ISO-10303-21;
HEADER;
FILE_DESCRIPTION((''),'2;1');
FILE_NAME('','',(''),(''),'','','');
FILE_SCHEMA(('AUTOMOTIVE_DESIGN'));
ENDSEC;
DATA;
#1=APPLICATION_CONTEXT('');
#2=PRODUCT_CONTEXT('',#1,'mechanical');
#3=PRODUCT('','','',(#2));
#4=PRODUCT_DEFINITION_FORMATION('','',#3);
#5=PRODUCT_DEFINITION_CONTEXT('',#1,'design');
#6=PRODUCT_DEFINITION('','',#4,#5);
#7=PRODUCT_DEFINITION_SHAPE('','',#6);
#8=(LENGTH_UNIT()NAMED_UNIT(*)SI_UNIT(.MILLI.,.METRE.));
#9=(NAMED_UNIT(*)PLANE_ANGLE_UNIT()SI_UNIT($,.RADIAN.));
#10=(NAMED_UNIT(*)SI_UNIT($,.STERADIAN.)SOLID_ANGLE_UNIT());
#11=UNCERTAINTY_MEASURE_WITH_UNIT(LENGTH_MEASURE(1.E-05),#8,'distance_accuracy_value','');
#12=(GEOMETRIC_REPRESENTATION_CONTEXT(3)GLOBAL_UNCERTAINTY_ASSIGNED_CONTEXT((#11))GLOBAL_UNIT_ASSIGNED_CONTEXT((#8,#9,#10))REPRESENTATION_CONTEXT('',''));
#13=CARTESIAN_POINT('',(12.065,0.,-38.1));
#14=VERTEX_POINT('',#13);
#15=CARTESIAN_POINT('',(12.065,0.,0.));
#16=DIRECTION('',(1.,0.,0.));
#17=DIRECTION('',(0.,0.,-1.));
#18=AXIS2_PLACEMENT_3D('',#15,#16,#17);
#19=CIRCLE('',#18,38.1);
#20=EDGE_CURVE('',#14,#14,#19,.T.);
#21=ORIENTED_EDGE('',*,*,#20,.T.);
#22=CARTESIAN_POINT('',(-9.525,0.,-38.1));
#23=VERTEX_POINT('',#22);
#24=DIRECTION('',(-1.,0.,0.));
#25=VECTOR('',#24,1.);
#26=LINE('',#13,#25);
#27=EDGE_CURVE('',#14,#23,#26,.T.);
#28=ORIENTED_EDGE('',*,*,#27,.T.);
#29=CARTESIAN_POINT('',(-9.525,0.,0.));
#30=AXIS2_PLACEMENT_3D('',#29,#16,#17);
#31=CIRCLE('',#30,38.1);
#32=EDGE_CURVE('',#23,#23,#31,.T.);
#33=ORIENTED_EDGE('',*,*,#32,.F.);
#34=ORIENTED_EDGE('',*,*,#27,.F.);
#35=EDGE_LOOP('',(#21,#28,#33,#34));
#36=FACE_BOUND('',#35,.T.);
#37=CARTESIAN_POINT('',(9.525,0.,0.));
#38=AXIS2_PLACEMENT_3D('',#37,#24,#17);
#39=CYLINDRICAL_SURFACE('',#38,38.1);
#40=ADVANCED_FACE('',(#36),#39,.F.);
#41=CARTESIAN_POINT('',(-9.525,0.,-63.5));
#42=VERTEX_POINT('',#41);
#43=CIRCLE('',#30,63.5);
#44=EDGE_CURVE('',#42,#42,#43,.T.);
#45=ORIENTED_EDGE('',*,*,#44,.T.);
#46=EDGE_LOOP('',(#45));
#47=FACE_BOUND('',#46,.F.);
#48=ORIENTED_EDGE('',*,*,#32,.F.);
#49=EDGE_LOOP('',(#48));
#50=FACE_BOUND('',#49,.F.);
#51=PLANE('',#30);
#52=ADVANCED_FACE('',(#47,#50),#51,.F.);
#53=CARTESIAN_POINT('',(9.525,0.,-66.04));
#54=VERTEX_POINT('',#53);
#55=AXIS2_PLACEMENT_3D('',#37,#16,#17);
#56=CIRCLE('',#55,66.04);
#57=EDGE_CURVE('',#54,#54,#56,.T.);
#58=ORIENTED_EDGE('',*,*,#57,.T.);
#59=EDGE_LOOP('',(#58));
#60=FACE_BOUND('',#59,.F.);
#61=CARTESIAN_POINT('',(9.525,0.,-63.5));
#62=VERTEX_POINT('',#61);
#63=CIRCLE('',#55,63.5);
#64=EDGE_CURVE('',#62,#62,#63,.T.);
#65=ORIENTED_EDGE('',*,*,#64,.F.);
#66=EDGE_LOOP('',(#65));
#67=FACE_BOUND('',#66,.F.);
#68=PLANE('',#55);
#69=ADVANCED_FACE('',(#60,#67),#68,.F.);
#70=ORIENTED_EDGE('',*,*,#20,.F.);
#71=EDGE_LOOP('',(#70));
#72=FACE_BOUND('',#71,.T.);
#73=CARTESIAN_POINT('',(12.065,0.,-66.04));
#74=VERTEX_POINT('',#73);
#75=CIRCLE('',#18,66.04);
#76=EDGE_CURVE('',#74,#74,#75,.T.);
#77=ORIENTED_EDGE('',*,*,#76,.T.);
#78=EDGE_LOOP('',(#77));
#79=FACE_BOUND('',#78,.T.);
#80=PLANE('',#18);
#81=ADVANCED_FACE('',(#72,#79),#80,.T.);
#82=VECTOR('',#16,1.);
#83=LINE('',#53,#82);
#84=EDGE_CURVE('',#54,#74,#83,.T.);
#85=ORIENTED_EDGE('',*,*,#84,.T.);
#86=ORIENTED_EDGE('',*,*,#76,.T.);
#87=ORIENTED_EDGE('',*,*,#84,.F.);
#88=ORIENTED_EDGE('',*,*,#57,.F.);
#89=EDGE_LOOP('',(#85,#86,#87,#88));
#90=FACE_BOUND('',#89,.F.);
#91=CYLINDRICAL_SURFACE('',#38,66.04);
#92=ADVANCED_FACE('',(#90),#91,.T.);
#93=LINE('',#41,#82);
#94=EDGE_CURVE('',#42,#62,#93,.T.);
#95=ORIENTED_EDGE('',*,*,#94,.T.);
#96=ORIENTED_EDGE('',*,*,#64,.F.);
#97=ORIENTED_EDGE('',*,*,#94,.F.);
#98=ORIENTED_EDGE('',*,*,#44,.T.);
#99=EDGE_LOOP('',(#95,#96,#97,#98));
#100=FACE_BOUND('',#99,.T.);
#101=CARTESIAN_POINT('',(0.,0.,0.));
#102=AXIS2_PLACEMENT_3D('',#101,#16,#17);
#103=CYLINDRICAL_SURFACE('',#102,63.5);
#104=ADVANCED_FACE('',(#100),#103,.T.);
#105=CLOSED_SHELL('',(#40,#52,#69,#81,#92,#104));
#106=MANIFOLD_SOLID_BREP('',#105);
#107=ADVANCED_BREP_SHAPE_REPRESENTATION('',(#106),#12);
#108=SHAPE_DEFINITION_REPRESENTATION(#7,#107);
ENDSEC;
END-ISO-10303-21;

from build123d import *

# Parameters (mm, degrees)
ESQUISSE1_R        = 63.5
ESQUISSE1_R_2      = 38.1
BOSS_EXTRU_1_DEPTH = 9.525
ESQUISSE2_R        = 66.04
ESQUISSE2_R_2      = 38.1
BOSS_EXTRU_2_DEPTH = 2.54


with BuildPart() as part:
    # Esquisse1 → Boss.-Extru.1 (new body, symmetric)
    with BuildSketch(Plane(origin=(0, 0, 0), x_dir=(0, 0, -1), z_dir=(1, 0, 0))):
        Circle(ESQUISSE1_R)
        Circle(ESQUISSE1_R_2, mode=Mode.SUBTRACT)
    extrude(amount=BOSS_EXTRU_1_DEPTH, both=True)

    # Esquisse2 → Boss.-Extru.2 (add)
    with BuildSketch(Plane(origin=(9.525, 0, 0), x_dir=(0, 0, -1), z_dir=(1, 0, 0))):
        Circle(ESQUISSE2_R)
        Circle(ESQUISSE2_R_2, mode=Mode.SUBTRACT)
    extrude(amount=BOSS_EXTRU_2_DEPTH)


solid = part.part
